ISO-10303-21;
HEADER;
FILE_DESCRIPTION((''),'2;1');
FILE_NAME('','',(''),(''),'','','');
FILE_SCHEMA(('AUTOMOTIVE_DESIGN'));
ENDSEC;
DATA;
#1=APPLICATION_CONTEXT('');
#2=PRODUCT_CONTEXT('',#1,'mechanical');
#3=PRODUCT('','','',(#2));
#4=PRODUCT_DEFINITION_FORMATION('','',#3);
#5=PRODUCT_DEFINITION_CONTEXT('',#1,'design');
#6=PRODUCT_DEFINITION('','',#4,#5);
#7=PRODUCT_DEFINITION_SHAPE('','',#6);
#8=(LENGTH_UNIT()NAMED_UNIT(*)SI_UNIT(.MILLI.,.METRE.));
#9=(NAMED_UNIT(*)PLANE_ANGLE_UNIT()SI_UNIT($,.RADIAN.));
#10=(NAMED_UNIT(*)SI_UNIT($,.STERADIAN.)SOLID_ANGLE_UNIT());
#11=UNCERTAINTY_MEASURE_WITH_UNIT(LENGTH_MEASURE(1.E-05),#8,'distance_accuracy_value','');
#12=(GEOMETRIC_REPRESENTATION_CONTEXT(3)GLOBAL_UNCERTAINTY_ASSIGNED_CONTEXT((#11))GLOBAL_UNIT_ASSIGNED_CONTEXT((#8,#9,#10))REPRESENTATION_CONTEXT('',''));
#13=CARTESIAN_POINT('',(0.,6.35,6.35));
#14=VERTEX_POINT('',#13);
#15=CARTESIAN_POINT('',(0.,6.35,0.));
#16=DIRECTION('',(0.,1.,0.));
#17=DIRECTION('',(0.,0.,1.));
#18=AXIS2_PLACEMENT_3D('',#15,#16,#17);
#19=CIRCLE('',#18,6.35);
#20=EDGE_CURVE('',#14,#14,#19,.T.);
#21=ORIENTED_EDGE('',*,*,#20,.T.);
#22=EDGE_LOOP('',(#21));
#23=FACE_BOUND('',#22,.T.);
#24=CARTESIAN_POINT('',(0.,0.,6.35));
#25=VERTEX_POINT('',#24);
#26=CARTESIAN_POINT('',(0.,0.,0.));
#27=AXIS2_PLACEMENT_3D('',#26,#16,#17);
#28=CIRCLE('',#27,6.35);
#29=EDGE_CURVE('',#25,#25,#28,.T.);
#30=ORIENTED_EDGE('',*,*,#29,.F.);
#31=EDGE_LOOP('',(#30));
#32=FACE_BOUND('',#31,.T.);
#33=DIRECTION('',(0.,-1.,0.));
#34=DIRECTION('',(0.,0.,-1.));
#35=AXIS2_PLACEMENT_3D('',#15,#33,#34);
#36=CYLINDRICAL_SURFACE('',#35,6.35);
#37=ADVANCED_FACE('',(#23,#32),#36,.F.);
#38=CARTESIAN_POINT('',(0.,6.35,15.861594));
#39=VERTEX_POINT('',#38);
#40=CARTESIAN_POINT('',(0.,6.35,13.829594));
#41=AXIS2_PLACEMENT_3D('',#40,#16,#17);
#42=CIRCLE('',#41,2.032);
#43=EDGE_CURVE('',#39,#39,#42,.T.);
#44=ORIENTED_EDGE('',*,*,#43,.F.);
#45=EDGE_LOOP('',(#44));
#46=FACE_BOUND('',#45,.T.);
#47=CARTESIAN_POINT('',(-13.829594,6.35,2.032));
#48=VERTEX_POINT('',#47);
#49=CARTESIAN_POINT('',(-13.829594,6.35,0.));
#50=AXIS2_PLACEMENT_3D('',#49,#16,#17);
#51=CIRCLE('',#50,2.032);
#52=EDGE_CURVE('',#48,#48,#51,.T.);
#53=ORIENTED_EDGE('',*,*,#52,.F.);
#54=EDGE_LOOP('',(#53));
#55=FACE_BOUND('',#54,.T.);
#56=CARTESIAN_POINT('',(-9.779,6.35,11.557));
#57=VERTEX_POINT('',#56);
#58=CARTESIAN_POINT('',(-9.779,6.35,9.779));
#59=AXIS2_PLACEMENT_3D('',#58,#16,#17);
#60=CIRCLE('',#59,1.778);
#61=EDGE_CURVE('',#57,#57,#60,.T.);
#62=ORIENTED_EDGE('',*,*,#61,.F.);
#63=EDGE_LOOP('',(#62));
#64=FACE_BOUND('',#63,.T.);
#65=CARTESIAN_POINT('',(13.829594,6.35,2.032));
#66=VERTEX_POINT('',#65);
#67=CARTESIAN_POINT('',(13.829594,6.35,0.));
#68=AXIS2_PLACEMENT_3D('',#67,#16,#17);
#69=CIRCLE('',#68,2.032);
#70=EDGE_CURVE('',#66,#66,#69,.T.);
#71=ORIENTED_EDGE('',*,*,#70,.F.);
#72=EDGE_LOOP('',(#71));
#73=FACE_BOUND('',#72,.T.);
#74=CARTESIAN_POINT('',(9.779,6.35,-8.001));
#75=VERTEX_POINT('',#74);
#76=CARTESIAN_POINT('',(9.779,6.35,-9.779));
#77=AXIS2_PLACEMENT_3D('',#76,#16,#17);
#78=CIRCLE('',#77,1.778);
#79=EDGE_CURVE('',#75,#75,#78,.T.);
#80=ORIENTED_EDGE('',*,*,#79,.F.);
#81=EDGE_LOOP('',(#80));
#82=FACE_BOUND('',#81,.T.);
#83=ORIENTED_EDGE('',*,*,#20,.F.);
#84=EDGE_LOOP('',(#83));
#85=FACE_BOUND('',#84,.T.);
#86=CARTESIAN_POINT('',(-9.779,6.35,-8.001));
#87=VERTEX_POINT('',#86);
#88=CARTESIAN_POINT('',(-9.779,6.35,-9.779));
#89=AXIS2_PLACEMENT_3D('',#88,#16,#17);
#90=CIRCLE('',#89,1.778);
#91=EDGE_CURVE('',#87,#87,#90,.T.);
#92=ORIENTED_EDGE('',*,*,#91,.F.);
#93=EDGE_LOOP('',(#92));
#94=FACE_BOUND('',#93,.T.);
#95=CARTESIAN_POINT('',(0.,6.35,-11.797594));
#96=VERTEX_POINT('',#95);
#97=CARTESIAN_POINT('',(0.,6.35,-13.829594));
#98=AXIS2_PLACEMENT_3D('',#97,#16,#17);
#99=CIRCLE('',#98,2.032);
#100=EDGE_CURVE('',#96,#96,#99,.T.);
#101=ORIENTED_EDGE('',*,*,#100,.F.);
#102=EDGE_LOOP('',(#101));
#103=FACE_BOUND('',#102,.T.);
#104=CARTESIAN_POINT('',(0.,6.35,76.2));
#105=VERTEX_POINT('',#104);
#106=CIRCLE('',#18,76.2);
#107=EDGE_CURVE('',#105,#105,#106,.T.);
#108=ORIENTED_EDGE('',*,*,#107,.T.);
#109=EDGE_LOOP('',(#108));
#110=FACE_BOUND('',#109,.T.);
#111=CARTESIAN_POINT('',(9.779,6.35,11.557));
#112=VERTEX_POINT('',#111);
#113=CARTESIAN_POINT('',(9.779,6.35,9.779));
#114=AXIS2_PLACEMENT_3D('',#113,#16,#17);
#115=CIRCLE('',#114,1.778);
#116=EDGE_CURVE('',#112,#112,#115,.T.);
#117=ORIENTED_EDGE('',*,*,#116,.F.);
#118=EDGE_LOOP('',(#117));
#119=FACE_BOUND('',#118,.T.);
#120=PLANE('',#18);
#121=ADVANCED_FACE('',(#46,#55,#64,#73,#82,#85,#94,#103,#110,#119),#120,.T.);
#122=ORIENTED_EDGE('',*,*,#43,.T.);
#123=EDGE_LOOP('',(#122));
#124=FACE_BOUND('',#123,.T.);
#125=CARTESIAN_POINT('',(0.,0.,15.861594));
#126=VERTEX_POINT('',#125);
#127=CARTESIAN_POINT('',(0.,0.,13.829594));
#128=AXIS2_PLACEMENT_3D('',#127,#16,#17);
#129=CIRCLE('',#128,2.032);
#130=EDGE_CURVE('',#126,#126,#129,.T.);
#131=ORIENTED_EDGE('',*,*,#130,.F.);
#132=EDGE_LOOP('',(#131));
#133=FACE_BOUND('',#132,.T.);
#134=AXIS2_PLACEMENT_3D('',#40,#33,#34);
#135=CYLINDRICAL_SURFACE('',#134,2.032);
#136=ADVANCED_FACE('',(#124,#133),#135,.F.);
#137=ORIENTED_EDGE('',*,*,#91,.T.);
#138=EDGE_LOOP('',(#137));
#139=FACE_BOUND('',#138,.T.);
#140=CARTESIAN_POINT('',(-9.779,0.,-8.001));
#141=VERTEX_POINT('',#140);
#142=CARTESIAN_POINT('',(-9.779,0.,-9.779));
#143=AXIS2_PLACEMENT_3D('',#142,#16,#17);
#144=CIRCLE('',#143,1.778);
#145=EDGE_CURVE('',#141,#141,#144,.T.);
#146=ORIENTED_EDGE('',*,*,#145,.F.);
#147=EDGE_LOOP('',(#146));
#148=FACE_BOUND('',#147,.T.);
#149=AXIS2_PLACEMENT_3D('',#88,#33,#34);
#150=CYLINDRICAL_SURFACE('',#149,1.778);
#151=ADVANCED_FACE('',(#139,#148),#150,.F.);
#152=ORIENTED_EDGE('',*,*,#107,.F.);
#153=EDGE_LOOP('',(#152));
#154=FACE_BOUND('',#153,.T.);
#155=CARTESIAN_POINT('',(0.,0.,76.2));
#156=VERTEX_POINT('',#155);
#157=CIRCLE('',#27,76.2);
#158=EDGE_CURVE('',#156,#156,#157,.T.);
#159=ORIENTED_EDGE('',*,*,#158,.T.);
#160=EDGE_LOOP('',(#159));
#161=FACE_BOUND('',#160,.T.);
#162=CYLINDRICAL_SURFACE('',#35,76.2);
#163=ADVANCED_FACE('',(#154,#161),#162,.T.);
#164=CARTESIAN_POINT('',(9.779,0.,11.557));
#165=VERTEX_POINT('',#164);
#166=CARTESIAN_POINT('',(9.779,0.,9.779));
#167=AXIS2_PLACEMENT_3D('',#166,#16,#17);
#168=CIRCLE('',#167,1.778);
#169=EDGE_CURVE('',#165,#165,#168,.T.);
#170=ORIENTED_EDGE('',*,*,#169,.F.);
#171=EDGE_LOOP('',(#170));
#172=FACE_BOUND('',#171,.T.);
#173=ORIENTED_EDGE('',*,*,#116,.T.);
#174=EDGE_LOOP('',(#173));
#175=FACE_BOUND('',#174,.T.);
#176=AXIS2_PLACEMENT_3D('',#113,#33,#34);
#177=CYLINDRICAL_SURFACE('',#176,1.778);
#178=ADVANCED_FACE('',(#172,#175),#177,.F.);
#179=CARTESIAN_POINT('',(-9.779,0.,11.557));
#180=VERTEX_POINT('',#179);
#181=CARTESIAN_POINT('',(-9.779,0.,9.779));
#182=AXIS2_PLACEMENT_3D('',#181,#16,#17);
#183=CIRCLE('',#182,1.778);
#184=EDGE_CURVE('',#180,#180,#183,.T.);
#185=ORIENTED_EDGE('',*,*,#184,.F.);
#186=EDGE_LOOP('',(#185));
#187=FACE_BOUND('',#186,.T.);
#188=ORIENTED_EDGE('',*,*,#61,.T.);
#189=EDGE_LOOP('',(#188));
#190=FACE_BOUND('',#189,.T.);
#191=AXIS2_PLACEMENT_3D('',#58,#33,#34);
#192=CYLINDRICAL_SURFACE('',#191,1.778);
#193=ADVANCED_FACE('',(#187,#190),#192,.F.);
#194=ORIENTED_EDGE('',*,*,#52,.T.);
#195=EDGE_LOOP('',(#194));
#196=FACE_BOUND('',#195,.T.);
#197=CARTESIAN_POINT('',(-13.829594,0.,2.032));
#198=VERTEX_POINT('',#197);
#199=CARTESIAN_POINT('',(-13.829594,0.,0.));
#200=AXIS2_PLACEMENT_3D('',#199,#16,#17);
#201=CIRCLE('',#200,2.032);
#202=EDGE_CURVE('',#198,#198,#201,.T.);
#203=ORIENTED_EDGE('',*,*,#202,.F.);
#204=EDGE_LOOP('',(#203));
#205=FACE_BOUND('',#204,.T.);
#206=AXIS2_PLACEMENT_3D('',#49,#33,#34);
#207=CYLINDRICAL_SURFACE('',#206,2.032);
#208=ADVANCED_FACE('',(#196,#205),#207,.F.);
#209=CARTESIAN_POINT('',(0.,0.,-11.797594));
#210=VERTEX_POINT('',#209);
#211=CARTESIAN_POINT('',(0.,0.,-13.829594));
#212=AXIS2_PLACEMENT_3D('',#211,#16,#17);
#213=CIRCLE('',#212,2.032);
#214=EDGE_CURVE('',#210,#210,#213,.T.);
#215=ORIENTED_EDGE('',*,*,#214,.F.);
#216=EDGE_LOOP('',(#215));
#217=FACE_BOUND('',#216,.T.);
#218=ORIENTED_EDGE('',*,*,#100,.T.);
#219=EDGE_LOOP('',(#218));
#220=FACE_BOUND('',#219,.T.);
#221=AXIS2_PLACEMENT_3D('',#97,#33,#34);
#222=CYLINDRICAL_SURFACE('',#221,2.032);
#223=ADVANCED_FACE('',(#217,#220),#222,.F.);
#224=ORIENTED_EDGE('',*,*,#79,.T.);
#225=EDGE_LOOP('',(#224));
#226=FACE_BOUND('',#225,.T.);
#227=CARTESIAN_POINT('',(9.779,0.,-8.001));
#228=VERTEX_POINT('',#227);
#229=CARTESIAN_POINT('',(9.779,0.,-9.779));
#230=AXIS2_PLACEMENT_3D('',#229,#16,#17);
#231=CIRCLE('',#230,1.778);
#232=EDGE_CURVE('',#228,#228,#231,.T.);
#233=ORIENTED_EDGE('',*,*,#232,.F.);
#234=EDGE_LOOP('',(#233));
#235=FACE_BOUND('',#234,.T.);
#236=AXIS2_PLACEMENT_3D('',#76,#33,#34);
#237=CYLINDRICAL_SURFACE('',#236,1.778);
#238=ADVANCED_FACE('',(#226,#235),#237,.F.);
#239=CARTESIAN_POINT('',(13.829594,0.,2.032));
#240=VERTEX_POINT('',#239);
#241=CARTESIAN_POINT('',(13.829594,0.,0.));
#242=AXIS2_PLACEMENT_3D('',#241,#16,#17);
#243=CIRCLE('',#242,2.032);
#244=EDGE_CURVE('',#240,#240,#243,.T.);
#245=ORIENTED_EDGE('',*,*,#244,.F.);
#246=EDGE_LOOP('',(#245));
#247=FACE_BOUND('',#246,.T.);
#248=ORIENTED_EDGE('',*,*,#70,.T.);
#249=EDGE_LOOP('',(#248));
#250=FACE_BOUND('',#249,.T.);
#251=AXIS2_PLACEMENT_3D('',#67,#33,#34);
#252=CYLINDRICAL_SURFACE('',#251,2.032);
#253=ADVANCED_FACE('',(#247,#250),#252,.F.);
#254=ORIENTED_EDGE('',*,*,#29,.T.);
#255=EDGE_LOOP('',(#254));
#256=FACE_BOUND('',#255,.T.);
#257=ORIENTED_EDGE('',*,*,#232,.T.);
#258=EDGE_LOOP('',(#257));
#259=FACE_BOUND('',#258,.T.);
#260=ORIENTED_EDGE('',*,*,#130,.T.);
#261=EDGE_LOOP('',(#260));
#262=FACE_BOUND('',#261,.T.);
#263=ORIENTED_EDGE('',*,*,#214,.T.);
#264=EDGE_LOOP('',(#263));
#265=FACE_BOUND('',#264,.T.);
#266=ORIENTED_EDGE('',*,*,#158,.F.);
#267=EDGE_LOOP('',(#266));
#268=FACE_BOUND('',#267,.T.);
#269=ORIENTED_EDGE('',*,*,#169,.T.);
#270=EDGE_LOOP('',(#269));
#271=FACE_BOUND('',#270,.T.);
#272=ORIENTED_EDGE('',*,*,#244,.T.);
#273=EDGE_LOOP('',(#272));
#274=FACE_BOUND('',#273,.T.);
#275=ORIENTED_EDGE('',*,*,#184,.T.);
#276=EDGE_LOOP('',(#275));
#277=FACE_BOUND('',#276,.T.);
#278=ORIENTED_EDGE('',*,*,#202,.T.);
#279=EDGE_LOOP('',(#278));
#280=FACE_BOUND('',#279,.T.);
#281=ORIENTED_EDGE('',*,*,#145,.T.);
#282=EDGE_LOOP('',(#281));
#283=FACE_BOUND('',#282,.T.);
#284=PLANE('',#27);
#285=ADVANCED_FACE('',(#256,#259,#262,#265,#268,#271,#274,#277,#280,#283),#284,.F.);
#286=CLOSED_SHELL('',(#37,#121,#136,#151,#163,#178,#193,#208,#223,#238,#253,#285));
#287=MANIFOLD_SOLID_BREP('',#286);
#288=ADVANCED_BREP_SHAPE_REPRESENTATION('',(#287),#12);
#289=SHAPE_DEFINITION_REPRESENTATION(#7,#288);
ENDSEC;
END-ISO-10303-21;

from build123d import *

# Parameters (mm, degrees)
SKETCH1_R           = 76.2
SKETCH1_R_2         = 6.35
SKETCH1_R_3         = 2.032
SKETCH1_R_4         = 1.778
BOSS_EXTRUDE1_DEPTH = 6.35


with BuildPart() as part:
    # Sketch1 → Boss-Extrude1 (new body)
    with BuildSketch(Plane(origin=(0, 0, 0), x_dir=(1, 0, 0), z_dir=(0, 1, 0))):
        with Locations(Location((0, 0, 0), (0, 0, 270))):
            Circle(SKETCH1_R)
        with Locations(Location((0, 0, 0), (0, 0, 270))):
            Circle(SKETCH1_R_2, mode=Mode.SUBTRACT)
        with Locations(Location((0, 13.829594426, 0), (0, 0, 270))):
            Circle(SKETCH1_R_3, mode=Mode.SUBTRACT)
        with Locations(Location((13.829594426, 0, 0), (0, 0, 270))):
            Circle(SKETCH1_R_3, mode=Mode.SUBTRACT)
        with Locations(Location((0, -13.829594426, 0), (0, 0, 270))):
            Circle(SKETCH1_R_3, mode=Mode.SUBTRACT)
        with Locations(Location((-13.829594426, 0, 0), (0, 0, 270))):
            Circle(SKETCH1_R_3, mode=Mode.SUBTRACT)
        with Locations(Location((-9.779, 9.779, 0), (0, 0, 270))):
            Circle(SKETCH1_R_4, mode=Mode.SUBTRACT)
        with Locations(Location((9.779, 9.779, 0), (0, 0, 270))):
            Circle(SKETCH1_R_4, mode=Mode.SUBTRACT)
        with Locations(Location((9.779, -9.779, 0), (0, 0, 270))):
            Circle(SKETCH1_R_4, mode=Mode.SUBTRACT)
        with Locations(Location((-9.779, -9.779, 0), (0, 0, 270))):
            Circle(SKETCH1_R_4, mode=Mode.SUBTRACT)
    extrude(amount=BOSS_EXTRUDE1_DEPTH)


solid = part.part
